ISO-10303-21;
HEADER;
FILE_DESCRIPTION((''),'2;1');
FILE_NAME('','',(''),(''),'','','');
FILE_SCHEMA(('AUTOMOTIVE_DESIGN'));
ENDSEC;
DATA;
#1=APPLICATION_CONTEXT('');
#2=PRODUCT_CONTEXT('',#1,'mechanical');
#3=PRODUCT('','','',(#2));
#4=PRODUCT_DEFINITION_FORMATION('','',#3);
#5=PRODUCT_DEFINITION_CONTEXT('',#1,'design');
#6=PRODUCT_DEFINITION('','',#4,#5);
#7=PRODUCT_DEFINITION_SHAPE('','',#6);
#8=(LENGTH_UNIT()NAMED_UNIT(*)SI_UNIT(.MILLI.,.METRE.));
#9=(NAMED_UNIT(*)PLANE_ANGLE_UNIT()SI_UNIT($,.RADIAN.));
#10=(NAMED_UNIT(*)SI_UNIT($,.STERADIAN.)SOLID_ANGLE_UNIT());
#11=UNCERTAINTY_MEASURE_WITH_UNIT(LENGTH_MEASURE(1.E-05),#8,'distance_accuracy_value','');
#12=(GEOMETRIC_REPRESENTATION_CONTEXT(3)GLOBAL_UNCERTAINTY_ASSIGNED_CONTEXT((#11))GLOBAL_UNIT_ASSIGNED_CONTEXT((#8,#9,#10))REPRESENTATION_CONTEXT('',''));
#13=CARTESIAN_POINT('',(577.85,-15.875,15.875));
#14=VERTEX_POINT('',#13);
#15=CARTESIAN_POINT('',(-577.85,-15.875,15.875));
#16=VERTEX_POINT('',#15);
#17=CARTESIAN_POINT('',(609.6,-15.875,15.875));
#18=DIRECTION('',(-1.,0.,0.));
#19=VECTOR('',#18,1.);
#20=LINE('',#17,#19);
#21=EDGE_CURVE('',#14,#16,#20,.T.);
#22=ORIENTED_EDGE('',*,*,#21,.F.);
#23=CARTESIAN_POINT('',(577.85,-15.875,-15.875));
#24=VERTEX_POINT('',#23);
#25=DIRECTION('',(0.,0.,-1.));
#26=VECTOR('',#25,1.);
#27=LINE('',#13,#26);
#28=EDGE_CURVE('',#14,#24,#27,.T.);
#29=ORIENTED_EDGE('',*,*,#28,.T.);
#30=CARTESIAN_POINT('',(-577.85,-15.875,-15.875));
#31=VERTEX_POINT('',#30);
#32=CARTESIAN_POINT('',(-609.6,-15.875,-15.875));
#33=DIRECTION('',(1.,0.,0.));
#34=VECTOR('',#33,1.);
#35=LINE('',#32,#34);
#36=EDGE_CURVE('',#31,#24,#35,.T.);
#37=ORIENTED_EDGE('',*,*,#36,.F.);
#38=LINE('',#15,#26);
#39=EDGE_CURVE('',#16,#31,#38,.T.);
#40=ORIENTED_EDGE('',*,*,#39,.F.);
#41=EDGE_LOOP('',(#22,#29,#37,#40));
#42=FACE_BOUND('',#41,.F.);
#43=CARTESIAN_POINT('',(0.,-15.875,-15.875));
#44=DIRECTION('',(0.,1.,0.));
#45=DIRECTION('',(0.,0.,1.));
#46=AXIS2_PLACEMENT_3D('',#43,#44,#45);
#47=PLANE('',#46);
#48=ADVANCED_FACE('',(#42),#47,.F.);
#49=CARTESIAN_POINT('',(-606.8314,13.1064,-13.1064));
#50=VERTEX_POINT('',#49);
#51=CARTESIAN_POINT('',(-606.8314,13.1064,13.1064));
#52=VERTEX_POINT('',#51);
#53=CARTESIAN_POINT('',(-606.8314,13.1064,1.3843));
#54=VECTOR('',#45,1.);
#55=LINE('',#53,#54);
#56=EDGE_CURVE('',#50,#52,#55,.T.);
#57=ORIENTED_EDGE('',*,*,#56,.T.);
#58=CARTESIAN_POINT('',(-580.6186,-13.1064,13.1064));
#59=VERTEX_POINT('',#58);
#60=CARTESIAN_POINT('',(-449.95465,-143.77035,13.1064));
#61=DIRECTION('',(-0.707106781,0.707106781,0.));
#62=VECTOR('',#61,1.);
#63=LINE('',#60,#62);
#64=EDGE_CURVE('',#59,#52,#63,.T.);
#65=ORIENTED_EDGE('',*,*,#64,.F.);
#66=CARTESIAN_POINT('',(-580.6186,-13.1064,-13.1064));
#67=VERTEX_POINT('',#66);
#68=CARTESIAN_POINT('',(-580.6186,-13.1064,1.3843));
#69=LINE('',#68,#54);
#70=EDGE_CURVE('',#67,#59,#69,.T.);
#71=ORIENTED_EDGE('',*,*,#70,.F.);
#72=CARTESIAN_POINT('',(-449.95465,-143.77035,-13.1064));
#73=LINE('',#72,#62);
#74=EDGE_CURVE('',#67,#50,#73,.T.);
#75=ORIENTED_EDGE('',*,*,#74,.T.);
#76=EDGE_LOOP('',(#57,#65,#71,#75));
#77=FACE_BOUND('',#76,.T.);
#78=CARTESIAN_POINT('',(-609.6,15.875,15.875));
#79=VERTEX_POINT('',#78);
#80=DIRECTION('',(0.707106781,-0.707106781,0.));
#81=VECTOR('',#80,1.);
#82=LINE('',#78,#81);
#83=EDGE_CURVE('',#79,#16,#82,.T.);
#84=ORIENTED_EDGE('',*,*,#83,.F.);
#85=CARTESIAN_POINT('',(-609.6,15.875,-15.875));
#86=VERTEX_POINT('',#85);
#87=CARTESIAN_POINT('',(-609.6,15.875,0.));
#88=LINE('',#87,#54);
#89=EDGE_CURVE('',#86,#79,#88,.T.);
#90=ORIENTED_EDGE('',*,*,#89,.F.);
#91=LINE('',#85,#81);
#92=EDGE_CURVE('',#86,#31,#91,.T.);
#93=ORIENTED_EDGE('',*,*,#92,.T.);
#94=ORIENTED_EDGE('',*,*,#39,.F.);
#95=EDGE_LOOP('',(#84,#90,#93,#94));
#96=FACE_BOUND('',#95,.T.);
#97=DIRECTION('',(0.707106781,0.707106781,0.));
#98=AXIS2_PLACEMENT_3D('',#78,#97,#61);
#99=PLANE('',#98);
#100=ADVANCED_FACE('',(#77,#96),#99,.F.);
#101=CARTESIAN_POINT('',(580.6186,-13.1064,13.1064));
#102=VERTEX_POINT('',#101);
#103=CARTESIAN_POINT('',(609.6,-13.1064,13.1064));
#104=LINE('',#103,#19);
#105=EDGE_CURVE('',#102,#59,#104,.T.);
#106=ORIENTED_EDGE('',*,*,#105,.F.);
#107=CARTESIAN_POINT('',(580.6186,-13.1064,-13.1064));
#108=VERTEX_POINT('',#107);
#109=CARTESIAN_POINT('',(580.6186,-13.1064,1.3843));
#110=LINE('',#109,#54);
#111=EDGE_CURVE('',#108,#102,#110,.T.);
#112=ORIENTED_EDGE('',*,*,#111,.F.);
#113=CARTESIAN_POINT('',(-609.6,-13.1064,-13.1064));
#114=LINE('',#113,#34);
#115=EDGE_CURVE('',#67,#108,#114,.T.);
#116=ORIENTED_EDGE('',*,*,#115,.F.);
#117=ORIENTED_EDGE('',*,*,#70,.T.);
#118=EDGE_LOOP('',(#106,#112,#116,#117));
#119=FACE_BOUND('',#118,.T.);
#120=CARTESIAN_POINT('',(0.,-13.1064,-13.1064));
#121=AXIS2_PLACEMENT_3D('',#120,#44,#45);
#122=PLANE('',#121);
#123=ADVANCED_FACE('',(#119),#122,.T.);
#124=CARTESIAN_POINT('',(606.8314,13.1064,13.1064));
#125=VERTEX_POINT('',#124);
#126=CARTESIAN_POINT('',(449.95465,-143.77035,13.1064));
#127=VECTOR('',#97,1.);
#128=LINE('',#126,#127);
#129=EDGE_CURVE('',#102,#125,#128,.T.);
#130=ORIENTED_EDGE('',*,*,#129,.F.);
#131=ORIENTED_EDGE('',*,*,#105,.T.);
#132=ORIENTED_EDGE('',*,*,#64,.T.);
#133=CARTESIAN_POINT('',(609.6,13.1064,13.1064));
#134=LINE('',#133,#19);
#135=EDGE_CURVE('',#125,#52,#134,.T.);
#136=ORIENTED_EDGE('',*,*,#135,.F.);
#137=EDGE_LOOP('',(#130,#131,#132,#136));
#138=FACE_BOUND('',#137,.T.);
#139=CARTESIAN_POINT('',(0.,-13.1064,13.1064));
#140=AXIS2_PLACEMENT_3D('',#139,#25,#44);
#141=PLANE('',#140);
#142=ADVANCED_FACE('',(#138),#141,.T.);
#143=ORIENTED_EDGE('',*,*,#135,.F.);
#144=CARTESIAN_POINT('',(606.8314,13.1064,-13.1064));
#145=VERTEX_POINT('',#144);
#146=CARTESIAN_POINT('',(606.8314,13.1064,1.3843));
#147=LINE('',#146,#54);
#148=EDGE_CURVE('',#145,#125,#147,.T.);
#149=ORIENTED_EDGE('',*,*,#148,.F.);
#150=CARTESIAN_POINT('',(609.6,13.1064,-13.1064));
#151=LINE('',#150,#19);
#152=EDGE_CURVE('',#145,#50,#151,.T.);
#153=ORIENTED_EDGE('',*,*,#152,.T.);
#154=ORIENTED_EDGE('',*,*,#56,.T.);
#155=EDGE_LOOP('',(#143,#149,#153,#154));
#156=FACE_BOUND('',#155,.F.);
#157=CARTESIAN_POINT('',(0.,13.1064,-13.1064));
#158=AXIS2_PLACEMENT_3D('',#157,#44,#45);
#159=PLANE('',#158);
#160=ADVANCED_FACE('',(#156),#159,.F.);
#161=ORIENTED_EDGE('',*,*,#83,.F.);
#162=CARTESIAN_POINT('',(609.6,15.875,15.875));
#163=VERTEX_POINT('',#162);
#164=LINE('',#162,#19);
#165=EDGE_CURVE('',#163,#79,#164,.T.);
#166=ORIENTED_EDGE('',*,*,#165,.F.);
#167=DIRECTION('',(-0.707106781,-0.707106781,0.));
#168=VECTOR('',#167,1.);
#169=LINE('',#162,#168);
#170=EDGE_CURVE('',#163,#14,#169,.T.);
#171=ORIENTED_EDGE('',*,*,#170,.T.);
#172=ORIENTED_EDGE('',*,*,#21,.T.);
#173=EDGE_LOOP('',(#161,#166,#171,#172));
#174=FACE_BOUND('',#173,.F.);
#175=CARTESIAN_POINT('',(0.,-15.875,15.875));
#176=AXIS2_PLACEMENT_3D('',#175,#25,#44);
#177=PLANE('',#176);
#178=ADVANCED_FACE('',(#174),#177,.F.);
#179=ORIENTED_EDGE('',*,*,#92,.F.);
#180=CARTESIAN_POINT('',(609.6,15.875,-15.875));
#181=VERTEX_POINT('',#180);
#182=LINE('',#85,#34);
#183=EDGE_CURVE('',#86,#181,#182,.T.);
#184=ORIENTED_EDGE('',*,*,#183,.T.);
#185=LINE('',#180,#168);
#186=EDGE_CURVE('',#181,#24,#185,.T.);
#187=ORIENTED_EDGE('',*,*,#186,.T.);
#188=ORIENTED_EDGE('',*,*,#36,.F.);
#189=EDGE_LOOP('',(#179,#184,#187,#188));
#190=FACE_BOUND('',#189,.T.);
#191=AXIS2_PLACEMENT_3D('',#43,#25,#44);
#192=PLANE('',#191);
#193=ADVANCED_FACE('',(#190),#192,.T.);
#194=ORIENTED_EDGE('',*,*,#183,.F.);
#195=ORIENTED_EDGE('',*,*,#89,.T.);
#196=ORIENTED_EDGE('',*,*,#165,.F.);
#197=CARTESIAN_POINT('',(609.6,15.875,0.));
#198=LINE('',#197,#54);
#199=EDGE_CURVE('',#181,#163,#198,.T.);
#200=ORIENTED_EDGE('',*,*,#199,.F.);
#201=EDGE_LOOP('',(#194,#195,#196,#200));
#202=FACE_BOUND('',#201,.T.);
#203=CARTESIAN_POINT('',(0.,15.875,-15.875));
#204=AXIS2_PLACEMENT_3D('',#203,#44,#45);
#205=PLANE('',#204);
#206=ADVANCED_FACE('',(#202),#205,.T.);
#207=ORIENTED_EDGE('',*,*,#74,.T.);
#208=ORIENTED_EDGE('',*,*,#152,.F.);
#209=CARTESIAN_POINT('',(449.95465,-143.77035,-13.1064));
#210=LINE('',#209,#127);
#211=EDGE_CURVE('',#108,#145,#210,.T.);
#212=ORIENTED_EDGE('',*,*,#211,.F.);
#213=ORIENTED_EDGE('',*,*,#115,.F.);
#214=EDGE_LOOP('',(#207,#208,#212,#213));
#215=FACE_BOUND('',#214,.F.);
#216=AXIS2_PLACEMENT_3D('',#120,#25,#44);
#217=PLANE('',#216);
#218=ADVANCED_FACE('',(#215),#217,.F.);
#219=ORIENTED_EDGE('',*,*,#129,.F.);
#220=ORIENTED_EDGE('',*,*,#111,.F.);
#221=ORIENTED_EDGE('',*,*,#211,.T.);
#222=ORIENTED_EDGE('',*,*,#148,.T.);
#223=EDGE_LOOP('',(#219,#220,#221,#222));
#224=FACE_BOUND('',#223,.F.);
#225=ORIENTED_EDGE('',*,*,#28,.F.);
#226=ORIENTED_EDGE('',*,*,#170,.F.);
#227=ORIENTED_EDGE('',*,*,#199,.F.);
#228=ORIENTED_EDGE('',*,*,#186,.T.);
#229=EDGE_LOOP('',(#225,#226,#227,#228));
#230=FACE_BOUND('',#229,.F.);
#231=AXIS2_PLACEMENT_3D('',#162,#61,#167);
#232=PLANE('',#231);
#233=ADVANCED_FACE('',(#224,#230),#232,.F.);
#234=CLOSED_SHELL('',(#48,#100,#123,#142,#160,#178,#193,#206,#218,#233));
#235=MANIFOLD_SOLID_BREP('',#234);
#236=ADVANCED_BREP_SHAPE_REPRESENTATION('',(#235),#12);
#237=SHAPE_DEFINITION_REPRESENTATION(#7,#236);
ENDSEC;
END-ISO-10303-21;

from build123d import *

# Parameters (mm, degrees)
SKETCH_W       = 31.75
SKETCH_H       = 31.75
SKETCH_W_2     = 26.2128
SKETCH_H_2     = 26.2128
PAD_DEPTH      = 609.6
PAD_DEPTH_BACK = 609.6
POCKET_DEPTH   = 31.75


with BuildPart() as part:
    # Sketch → Pad (new body, two sides)
    with BuildSketch(Plane.YZ) as pad_sk:
        Rectangle(SKETCH_W, SKETCH_H)
        Rectangle(SKETCH_W_2, SKETCH_H_2, mode=Mode.SUBTRACT)
    extrude(amount=PAD_DEPTH)
    extrude(pad_sk.sketch, amount=-PAD_DEPTH_BACK)

    # Sketch001 → Pocket (cut)
    with BuildSketch(Plane(origin=(0, 0, 15.875), x_dir=(0, -1, 0), z_dir=(0, 0, 1))):
        Polygon((15.875, 609.6), (-15.875, 609.6), (15.875, 577.85), align=None)
    pocket = extrude(amount=-POCKET_DEPTH, mode=Mode.SUBTRACT)

    # Mirrored: Pocket across Sketch001 H_Axis
    add(pocket.mirror(Plane(origin=(0, 0, 15.875), x_dir=(0, 0, 1), z_dir=(1, 0, 0))), mode=Mode.SUBTRACT)


solid = part.part
